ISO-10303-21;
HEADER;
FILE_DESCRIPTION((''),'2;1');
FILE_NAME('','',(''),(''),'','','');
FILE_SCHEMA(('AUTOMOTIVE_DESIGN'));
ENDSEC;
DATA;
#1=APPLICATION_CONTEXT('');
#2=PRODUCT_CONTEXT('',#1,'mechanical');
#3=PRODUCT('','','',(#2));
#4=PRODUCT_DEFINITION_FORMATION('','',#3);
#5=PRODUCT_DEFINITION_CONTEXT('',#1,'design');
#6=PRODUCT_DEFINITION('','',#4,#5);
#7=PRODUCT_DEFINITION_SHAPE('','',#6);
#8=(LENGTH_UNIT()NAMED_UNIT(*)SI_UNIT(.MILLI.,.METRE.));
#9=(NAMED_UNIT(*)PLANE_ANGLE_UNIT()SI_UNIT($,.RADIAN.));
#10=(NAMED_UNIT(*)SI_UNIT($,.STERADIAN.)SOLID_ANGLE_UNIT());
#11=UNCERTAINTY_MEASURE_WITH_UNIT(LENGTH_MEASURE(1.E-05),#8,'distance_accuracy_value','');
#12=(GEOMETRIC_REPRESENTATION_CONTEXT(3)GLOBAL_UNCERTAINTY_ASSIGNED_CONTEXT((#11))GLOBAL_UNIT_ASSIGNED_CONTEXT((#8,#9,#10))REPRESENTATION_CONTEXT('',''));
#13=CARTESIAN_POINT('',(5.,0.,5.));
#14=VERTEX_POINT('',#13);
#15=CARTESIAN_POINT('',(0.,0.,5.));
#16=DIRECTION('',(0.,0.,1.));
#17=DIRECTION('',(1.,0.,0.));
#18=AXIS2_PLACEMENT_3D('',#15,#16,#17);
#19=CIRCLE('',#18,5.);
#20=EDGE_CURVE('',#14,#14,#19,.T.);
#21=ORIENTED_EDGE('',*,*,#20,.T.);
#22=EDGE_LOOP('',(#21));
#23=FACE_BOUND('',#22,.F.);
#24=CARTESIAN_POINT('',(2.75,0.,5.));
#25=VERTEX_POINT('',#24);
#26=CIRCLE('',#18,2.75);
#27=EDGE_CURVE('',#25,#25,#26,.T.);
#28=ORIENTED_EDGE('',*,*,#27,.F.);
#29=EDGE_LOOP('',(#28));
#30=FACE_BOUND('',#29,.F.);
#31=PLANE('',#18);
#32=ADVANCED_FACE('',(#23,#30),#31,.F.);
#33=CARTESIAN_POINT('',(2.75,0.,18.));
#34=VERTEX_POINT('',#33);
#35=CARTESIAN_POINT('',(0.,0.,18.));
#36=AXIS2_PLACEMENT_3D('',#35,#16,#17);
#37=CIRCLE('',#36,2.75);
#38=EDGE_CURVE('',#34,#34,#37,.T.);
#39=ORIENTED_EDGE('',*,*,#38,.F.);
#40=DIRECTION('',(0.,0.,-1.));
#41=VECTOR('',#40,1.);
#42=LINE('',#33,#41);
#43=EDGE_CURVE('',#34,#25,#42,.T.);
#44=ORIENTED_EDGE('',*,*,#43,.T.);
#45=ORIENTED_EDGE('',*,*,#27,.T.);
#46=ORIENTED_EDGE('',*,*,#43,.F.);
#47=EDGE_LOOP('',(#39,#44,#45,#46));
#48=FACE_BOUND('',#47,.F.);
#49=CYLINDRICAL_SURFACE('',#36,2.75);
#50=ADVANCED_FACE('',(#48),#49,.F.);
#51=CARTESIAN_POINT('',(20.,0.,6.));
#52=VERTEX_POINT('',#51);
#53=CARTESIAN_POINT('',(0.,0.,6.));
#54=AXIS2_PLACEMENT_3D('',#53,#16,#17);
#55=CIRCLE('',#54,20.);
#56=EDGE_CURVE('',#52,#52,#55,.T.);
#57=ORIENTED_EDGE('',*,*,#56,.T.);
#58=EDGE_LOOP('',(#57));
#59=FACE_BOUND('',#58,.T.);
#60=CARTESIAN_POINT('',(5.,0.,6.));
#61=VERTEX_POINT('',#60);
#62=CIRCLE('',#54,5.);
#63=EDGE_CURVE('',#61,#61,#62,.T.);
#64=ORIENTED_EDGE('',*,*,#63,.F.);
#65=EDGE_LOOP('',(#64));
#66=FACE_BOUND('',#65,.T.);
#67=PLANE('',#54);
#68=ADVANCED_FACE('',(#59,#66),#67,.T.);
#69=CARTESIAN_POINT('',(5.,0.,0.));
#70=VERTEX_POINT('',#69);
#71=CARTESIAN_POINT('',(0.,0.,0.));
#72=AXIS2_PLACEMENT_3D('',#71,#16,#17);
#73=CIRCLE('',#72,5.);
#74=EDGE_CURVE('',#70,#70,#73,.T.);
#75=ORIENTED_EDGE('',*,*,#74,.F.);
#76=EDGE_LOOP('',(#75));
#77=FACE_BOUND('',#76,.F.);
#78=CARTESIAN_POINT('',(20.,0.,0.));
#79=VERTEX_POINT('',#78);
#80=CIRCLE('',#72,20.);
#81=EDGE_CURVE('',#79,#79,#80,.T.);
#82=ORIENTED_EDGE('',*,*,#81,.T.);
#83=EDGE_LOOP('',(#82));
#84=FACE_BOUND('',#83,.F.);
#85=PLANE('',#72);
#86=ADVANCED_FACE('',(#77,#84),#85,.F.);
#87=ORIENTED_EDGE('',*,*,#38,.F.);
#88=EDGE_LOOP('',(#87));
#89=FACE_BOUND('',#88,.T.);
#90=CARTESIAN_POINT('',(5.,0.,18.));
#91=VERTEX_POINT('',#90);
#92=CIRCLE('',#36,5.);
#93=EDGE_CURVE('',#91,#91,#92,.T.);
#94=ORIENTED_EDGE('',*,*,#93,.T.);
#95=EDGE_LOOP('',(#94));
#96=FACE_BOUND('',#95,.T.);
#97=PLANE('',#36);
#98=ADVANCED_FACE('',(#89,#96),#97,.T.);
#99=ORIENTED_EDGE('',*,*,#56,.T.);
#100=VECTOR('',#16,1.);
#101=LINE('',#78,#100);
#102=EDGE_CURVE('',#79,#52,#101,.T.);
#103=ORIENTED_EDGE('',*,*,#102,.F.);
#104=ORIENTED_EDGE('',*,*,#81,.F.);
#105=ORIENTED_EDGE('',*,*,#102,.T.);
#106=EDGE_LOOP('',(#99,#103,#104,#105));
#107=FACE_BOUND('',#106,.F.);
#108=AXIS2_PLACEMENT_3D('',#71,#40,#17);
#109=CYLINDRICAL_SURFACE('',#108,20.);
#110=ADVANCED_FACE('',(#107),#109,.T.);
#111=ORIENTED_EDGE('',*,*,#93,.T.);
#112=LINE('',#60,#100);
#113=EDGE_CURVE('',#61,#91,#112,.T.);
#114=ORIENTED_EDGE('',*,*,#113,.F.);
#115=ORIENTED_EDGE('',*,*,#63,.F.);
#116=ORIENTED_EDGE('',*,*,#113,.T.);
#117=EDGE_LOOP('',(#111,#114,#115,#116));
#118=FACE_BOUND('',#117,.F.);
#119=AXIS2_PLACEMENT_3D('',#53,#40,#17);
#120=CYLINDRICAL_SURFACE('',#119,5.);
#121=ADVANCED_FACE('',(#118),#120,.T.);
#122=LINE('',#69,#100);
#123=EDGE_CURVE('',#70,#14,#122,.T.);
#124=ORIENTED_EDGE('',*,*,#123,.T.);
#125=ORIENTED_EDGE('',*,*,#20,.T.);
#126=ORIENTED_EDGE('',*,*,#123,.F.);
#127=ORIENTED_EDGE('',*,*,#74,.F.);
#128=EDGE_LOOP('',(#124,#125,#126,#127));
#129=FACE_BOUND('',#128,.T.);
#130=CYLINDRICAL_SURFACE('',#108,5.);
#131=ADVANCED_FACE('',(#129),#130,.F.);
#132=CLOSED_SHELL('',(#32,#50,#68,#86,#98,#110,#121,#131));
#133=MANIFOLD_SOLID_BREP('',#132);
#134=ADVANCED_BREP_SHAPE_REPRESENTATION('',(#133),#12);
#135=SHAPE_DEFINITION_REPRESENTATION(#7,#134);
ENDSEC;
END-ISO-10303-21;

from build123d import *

# Parameters (mm, degrees)
F0_R     = 20
F1_DEPTH = 6
F2_R     = 5
F3_DEPTH = 12
F4_R     = 2.75
F5_DEPTH = 18.001
F6_R     = 5
F7_DEPTH = 5


with BuildPart() as f1:
    # F0 (on Top) → F1 (new body)
    with BuildSketch(Plane.XY):
        Circle(F0_R)
    extrude(amount=F1_DEPTH)

    # F2 (on face) → F3 (join)
    with BuildSketch(Plane.XY.offset(6)):
        Circle(F2_R)
    extrude(amount=F3_DEPTH)

    # F4 (on face) → F5 (cut, through all)
    with BuildSketch(Plane.XY.offset(18)):
        Circle(F4_R)
    extrude(amount=-F5_DEPTH, mode=Mode.SUBTRACT)

    # F6 (on face) → F7 (cut)
    with BuildSketch(Plane.XY):
        Circle(F6_R)
    extrude(amount=F7_DEPTH, mode=Mode.SUBTRACT)


solid = f1.part
